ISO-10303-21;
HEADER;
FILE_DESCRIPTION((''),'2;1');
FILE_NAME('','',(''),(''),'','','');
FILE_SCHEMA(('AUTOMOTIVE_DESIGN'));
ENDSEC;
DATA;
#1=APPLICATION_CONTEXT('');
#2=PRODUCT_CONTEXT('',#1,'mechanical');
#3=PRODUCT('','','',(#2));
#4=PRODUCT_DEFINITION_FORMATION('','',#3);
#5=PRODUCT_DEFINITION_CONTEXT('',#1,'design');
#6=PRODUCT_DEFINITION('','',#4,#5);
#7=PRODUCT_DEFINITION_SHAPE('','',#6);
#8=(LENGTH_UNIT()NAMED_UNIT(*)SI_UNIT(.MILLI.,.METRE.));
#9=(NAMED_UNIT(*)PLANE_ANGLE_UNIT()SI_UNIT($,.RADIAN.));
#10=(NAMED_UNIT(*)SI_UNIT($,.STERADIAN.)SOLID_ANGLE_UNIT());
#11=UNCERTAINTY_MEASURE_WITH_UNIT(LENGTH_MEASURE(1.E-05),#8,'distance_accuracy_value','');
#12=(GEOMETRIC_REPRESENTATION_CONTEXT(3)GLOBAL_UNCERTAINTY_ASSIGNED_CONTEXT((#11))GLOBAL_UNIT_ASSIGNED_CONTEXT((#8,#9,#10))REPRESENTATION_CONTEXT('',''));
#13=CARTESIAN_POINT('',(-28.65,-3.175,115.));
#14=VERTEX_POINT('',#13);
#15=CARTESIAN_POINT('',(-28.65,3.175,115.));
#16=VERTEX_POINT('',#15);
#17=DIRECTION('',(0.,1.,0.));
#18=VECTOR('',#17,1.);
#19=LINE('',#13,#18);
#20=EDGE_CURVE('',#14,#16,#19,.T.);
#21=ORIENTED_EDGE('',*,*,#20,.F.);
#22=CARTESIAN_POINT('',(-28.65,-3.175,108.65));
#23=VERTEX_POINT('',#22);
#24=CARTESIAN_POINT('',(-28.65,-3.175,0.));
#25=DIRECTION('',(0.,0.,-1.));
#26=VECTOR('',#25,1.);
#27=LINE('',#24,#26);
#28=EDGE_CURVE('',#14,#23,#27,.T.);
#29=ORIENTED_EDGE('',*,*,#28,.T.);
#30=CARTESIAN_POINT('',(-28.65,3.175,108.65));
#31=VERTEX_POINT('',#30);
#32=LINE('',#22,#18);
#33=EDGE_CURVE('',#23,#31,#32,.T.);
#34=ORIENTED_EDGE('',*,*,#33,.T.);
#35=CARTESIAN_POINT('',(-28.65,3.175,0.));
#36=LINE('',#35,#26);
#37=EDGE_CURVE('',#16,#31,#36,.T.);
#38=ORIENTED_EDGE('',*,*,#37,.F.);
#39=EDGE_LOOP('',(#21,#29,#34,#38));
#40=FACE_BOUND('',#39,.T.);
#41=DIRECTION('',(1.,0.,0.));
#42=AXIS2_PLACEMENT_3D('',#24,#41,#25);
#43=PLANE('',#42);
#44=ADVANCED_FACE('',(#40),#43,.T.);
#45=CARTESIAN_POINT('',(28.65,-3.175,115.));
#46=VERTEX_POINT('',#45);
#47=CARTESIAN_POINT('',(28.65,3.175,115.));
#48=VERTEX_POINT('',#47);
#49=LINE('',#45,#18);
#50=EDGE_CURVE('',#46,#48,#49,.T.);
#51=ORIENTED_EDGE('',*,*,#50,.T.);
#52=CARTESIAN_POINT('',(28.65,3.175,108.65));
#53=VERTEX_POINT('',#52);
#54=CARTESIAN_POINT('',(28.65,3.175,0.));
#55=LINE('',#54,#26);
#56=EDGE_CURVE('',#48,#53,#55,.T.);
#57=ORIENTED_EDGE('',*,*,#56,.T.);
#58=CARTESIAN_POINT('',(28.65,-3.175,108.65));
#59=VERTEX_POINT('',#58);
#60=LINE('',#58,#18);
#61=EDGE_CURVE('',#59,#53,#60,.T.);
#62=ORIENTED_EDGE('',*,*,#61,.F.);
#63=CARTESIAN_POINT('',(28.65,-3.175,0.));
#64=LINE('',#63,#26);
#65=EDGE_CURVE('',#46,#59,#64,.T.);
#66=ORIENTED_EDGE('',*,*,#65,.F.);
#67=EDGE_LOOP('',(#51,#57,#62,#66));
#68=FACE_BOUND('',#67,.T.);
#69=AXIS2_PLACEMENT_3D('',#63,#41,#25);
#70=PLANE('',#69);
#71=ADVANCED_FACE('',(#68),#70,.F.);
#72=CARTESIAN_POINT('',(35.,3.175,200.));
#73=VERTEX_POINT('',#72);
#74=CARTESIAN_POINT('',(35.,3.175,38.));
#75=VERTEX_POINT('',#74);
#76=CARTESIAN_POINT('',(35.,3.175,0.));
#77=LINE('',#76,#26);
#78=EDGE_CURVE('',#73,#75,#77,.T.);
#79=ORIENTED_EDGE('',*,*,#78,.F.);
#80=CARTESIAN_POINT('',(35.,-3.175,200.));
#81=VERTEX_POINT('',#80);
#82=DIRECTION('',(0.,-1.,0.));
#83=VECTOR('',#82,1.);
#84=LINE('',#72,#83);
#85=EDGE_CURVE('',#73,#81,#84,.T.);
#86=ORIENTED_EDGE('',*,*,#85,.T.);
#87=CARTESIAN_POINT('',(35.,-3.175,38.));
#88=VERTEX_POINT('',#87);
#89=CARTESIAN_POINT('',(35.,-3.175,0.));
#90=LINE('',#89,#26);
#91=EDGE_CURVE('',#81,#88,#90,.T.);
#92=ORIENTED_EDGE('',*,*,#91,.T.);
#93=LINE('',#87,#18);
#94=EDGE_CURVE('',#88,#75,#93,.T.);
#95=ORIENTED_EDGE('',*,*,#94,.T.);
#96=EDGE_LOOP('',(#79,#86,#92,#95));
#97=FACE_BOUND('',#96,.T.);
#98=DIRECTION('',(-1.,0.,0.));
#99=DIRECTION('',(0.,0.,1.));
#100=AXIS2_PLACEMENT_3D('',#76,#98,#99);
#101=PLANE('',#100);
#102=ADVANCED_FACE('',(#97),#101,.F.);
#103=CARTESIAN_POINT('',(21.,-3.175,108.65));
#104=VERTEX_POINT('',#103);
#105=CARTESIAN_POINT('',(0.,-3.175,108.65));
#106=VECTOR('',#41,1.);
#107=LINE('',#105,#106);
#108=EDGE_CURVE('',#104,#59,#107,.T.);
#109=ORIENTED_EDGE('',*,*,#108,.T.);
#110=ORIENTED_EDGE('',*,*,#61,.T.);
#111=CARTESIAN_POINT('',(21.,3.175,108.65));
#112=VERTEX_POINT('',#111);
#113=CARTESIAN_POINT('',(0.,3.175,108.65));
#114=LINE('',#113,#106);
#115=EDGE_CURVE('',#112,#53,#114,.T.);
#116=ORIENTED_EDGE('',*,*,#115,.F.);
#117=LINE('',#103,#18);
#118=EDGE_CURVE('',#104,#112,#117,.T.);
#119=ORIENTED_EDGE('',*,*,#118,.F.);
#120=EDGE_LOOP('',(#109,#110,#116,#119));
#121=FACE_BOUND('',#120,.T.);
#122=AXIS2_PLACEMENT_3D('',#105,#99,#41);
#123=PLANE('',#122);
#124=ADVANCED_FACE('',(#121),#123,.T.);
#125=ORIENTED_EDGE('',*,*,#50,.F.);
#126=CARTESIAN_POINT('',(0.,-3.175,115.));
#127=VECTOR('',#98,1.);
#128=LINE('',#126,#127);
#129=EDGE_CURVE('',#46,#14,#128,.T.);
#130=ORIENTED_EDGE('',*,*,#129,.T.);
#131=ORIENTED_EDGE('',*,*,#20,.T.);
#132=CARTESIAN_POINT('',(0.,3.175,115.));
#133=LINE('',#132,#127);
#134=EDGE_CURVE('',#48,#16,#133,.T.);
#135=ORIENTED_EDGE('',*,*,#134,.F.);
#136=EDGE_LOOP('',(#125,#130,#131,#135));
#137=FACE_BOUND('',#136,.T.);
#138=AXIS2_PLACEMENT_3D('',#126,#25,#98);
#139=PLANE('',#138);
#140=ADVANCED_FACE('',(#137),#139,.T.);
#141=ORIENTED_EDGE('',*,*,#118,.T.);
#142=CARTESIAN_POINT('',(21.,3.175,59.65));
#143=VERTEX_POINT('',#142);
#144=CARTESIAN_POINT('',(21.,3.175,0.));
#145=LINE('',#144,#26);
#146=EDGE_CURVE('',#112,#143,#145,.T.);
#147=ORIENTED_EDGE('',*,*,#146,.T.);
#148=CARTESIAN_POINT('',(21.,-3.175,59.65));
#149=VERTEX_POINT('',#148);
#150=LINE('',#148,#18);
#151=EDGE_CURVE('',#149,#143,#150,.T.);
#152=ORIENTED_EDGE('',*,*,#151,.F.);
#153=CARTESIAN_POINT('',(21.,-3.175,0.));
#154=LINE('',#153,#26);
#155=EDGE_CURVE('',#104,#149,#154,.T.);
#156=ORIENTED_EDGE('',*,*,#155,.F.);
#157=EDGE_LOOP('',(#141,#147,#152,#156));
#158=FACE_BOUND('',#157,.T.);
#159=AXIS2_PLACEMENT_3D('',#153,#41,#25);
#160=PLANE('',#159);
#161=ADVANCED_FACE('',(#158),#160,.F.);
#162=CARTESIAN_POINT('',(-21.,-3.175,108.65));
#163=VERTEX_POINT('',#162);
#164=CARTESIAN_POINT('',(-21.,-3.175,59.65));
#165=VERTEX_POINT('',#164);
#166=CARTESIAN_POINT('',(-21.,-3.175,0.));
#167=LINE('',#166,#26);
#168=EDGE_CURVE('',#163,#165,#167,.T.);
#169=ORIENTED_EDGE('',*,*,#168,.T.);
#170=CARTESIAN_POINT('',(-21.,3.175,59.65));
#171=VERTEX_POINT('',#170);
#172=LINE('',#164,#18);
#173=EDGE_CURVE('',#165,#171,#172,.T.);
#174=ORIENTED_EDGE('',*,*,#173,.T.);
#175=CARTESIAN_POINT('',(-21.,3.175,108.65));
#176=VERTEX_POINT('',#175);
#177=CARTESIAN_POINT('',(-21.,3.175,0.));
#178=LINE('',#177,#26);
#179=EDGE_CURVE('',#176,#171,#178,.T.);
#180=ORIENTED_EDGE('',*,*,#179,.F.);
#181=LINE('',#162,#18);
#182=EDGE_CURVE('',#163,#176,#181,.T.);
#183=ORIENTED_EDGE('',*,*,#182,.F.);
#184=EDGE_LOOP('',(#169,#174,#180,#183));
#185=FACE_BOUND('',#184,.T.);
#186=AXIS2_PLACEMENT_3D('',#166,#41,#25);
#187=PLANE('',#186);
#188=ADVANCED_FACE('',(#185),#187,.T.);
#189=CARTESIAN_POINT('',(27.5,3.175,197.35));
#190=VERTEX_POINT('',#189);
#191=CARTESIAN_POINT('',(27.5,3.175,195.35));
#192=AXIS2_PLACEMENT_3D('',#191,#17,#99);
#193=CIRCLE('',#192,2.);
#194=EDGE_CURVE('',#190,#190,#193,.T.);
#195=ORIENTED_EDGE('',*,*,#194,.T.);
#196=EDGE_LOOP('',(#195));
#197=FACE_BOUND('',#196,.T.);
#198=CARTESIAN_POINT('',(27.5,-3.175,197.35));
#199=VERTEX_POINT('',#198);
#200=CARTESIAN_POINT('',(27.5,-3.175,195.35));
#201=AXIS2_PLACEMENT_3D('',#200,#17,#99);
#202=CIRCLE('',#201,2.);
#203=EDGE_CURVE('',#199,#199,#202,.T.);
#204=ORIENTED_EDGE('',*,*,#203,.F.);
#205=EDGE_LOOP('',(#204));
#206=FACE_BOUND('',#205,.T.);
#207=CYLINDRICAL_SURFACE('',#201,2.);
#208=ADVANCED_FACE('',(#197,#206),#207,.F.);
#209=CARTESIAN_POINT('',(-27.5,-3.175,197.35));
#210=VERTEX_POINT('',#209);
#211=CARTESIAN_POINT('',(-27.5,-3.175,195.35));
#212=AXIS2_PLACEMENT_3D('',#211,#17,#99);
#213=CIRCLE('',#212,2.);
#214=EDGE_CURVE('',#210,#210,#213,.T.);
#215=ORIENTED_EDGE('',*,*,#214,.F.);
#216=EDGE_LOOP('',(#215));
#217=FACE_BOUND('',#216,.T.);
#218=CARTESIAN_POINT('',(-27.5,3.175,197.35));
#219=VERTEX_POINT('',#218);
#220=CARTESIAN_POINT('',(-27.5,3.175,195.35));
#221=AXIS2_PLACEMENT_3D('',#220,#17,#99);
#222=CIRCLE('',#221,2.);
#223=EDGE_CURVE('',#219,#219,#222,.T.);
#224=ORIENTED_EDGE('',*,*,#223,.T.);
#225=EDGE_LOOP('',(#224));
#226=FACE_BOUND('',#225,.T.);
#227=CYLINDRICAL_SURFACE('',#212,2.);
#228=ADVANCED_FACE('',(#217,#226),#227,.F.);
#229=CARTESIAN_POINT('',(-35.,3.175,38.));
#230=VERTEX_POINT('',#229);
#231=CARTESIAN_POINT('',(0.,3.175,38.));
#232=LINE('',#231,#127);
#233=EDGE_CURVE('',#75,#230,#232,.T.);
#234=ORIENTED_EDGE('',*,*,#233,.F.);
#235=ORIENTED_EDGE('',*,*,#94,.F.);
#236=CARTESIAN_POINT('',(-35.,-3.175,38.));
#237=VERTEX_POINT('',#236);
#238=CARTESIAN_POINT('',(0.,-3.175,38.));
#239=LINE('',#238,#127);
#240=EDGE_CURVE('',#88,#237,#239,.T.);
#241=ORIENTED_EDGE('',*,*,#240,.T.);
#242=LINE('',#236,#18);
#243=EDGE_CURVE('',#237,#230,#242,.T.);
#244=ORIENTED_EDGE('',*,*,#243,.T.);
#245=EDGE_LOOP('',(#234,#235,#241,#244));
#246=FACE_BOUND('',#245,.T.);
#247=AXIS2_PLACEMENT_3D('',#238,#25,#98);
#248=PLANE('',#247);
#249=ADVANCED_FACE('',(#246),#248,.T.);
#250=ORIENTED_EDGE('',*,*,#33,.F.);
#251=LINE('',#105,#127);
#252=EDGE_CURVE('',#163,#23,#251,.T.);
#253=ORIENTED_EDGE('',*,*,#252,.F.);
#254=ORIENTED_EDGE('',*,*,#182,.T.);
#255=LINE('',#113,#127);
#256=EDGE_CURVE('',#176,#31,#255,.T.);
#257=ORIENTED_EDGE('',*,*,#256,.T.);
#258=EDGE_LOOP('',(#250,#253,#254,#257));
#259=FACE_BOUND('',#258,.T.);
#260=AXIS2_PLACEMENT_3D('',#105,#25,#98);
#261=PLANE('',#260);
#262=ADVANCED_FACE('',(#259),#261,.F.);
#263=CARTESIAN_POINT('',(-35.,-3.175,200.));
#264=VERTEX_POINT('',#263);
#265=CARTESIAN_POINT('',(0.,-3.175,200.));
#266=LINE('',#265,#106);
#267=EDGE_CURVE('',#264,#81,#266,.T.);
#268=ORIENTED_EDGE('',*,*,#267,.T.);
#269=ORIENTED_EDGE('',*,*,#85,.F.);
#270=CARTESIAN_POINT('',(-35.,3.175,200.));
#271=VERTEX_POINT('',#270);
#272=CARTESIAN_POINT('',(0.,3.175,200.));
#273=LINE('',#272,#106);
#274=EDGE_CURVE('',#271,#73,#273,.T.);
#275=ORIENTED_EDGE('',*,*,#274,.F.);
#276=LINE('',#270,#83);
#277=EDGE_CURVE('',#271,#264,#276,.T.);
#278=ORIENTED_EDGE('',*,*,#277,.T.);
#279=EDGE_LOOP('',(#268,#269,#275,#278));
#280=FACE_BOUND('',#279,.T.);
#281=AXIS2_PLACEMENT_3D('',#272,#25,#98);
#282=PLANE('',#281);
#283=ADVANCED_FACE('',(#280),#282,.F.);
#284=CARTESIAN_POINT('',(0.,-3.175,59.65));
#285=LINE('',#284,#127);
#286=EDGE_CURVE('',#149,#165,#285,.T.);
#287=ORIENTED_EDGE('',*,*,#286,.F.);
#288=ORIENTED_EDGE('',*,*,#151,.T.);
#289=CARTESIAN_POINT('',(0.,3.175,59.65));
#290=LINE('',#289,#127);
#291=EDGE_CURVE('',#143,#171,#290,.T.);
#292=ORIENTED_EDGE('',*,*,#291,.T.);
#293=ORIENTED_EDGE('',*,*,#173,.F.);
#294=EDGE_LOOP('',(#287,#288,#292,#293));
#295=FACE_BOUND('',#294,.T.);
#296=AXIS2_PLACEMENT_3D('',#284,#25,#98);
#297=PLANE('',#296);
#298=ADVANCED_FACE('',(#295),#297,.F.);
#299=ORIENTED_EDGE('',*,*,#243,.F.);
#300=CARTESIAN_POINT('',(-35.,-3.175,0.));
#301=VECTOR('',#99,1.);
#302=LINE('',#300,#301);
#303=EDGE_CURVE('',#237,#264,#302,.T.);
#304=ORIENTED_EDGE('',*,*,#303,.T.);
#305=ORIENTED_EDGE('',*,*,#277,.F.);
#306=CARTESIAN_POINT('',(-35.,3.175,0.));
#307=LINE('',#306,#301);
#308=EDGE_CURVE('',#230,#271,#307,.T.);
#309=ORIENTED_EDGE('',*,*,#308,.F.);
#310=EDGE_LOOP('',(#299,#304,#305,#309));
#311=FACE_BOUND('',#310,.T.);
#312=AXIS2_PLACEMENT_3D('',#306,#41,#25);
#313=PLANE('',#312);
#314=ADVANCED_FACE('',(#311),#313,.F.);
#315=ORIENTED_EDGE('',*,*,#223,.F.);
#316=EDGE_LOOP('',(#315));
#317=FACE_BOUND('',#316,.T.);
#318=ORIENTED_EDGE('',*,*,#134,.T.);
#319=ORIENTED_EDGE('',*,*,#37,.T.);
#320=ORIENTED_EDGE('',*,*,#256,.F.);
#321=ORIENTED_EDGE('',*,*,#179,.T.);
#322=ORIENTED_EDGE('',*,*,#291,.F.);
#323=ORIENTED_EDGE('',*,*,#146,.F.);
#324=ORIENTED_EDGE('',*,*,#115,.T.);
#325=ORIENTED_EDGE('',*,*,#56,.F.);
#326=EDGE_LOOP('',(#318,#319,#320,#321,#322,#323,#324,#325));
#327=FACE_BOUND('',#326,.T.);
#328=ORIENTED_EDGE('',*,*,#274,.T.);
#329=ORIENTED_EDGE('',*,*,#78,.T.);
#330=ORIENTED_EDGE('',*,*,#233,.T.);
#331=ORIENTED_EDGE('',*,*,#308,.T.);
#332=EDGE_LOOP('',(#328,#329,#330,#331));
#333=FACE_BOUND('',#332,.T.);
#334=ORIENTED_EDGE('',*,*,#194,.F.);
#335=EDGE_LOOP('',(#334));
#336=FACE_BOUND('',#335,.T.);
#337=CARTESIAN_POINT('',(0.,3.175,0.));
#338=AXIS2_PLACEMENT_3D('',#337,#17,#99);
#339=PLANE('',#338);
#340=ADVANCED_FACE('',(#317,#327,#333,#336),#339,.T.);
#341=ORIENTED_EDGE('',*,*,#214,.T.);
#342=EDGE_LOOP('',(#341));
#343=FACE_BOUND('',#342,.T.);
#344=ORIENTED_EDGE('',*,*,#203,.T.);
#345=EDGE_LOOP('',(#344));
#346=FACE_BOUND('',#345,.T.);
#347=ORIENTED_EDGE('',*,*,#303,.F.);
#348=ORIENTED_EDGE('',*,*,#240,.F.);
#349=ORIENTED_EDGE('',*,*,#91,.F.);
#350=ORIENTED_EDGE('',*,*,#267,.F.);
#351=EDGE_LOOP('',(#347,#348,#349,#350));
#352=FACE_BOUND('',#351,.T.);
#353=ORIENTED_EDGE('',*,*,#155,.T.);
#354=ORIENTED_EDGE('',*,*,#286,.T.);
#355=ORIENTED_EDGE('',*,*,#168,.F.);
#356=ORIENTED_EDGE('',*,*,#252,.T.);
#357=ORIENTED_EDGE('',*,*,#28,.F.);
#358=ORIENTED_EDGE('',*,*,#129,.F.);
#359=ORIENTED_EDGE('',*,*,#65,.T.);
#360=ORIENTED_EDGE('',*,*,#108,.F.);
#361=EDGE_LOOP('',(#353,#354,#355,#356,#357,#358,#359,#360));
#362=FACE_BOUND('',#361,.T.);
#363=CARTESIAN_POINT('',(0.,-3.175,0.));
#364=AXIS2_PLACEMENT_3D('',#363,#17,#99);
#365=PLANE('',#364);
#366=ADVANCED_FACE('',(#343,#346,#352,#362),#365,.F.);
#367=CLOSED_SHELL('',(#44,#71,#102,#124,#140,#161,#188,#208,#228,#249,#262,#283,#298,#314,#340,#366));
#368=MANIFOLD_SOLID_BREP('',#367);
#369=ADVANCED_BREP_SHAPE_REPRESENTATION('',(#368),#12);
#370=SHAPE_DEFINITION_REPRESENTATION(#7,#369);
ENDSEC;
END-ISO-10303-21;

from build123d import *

# Parameters (mm, degrees)
BOSS_EXTRUDE1_DEPTH = 3.175
CUT_EXTRUDE1_DEPTH  = 204.138678001
SKETCH3_W           = 42
SKETCH3_H           = 55.35
SKETCH3_W_2         = 7.65
SKETCH3_H_2         = 6.35
CUT_EXTRUDE2_DEPTH  = 204.138678001
SKETCH5_R           = 2
CUT_EXTRUDE4_DEPTH  = 204.138678001


with BuildPart() as part:
    # Sketch1 → Boss-Extrude1 (new, symmetric)
    with BuildSketch(Plane(origin=(0, 0, 0), x_dir=(1, 0, 0), z_dir=(0, 1, 0))):
        with BuildLine():
            Line((35, -200), (35, 0))
            ThreePointArc((35, 0), (0, 35), (-35, 0))
            Line((-35, 0), (-35, -200))
            Line((-35, -200), (35, -200))
        make_face()
    extrude(amount=BOSS_EXTRUDE1_DEPTH, both=True)

    # Sketch2 → Cut-Extrude1 (cut, through all)
    with BuildSketch(Plane(origin=(0, 3.175, 0), x_dir=(1, 0, 0), z_dir=(0, 1, 0))):
        with BuildLine():
            Line((-35, -38), (35, -38))
            Line((35, -38), (35, 0))
            ThreePointArc((35, 0), (0, 35), (-35, 0))
            Line((-35, 0), (-35, -38))
        make_face()
    extrude(amount=-CUT_EXTRUDE1_DEPTH, mode=Mode.SUBTRACT)

    # Sketch3 → Cut-Extrude2 (cut, through all)
    with BuildSketch(Plane(origin=(0, 3.175, 0), x_dir=(1, 0, 0), z_dir=(0, 1, 0))):
        with Locations((0, -87.325)):
            Rectangle(SKETCH3_W, SKETCH3_H)
        with Locations((-24.825, -111.825)):
            Rectangle(SKETCH3_W_2, SKETCH3_H_2)
        with Locations((24.825, -111.825)):
            Rectangle(SKETCH3_W_2, SKETCH3_H_2)
    extrude(amount=-CUT_EXTRUDE2_DEPTH, mode=Mode.SUBTRACT)

    # Sketch5 → Cut-Extrude4 (cut, through all)
    with BuildSketch(Plane(origin=(0, 3.175, 0), x_dir=(1, 0, 0), z_dir=(0, 1, 0))):
        with Locations(Location((27.5, -195.35, 0), (0, 0, 270))):
            Circle(SKETCH5_R)
        with Locations(Location((-27.5, -195.35, 0), (0, 0, 270))):
            Circle(SKETCH5_R)
        with Locations((15, -65.35)):
            Circle(SKETCH5_R)
        with Locations((-15, -65.35)):
            Circle(SKETCH5_R)
    extrude(amount=-CUT_EXTRUDE4_DEPTH, mode=Mode.SUBTRACT)


solid = part.part
